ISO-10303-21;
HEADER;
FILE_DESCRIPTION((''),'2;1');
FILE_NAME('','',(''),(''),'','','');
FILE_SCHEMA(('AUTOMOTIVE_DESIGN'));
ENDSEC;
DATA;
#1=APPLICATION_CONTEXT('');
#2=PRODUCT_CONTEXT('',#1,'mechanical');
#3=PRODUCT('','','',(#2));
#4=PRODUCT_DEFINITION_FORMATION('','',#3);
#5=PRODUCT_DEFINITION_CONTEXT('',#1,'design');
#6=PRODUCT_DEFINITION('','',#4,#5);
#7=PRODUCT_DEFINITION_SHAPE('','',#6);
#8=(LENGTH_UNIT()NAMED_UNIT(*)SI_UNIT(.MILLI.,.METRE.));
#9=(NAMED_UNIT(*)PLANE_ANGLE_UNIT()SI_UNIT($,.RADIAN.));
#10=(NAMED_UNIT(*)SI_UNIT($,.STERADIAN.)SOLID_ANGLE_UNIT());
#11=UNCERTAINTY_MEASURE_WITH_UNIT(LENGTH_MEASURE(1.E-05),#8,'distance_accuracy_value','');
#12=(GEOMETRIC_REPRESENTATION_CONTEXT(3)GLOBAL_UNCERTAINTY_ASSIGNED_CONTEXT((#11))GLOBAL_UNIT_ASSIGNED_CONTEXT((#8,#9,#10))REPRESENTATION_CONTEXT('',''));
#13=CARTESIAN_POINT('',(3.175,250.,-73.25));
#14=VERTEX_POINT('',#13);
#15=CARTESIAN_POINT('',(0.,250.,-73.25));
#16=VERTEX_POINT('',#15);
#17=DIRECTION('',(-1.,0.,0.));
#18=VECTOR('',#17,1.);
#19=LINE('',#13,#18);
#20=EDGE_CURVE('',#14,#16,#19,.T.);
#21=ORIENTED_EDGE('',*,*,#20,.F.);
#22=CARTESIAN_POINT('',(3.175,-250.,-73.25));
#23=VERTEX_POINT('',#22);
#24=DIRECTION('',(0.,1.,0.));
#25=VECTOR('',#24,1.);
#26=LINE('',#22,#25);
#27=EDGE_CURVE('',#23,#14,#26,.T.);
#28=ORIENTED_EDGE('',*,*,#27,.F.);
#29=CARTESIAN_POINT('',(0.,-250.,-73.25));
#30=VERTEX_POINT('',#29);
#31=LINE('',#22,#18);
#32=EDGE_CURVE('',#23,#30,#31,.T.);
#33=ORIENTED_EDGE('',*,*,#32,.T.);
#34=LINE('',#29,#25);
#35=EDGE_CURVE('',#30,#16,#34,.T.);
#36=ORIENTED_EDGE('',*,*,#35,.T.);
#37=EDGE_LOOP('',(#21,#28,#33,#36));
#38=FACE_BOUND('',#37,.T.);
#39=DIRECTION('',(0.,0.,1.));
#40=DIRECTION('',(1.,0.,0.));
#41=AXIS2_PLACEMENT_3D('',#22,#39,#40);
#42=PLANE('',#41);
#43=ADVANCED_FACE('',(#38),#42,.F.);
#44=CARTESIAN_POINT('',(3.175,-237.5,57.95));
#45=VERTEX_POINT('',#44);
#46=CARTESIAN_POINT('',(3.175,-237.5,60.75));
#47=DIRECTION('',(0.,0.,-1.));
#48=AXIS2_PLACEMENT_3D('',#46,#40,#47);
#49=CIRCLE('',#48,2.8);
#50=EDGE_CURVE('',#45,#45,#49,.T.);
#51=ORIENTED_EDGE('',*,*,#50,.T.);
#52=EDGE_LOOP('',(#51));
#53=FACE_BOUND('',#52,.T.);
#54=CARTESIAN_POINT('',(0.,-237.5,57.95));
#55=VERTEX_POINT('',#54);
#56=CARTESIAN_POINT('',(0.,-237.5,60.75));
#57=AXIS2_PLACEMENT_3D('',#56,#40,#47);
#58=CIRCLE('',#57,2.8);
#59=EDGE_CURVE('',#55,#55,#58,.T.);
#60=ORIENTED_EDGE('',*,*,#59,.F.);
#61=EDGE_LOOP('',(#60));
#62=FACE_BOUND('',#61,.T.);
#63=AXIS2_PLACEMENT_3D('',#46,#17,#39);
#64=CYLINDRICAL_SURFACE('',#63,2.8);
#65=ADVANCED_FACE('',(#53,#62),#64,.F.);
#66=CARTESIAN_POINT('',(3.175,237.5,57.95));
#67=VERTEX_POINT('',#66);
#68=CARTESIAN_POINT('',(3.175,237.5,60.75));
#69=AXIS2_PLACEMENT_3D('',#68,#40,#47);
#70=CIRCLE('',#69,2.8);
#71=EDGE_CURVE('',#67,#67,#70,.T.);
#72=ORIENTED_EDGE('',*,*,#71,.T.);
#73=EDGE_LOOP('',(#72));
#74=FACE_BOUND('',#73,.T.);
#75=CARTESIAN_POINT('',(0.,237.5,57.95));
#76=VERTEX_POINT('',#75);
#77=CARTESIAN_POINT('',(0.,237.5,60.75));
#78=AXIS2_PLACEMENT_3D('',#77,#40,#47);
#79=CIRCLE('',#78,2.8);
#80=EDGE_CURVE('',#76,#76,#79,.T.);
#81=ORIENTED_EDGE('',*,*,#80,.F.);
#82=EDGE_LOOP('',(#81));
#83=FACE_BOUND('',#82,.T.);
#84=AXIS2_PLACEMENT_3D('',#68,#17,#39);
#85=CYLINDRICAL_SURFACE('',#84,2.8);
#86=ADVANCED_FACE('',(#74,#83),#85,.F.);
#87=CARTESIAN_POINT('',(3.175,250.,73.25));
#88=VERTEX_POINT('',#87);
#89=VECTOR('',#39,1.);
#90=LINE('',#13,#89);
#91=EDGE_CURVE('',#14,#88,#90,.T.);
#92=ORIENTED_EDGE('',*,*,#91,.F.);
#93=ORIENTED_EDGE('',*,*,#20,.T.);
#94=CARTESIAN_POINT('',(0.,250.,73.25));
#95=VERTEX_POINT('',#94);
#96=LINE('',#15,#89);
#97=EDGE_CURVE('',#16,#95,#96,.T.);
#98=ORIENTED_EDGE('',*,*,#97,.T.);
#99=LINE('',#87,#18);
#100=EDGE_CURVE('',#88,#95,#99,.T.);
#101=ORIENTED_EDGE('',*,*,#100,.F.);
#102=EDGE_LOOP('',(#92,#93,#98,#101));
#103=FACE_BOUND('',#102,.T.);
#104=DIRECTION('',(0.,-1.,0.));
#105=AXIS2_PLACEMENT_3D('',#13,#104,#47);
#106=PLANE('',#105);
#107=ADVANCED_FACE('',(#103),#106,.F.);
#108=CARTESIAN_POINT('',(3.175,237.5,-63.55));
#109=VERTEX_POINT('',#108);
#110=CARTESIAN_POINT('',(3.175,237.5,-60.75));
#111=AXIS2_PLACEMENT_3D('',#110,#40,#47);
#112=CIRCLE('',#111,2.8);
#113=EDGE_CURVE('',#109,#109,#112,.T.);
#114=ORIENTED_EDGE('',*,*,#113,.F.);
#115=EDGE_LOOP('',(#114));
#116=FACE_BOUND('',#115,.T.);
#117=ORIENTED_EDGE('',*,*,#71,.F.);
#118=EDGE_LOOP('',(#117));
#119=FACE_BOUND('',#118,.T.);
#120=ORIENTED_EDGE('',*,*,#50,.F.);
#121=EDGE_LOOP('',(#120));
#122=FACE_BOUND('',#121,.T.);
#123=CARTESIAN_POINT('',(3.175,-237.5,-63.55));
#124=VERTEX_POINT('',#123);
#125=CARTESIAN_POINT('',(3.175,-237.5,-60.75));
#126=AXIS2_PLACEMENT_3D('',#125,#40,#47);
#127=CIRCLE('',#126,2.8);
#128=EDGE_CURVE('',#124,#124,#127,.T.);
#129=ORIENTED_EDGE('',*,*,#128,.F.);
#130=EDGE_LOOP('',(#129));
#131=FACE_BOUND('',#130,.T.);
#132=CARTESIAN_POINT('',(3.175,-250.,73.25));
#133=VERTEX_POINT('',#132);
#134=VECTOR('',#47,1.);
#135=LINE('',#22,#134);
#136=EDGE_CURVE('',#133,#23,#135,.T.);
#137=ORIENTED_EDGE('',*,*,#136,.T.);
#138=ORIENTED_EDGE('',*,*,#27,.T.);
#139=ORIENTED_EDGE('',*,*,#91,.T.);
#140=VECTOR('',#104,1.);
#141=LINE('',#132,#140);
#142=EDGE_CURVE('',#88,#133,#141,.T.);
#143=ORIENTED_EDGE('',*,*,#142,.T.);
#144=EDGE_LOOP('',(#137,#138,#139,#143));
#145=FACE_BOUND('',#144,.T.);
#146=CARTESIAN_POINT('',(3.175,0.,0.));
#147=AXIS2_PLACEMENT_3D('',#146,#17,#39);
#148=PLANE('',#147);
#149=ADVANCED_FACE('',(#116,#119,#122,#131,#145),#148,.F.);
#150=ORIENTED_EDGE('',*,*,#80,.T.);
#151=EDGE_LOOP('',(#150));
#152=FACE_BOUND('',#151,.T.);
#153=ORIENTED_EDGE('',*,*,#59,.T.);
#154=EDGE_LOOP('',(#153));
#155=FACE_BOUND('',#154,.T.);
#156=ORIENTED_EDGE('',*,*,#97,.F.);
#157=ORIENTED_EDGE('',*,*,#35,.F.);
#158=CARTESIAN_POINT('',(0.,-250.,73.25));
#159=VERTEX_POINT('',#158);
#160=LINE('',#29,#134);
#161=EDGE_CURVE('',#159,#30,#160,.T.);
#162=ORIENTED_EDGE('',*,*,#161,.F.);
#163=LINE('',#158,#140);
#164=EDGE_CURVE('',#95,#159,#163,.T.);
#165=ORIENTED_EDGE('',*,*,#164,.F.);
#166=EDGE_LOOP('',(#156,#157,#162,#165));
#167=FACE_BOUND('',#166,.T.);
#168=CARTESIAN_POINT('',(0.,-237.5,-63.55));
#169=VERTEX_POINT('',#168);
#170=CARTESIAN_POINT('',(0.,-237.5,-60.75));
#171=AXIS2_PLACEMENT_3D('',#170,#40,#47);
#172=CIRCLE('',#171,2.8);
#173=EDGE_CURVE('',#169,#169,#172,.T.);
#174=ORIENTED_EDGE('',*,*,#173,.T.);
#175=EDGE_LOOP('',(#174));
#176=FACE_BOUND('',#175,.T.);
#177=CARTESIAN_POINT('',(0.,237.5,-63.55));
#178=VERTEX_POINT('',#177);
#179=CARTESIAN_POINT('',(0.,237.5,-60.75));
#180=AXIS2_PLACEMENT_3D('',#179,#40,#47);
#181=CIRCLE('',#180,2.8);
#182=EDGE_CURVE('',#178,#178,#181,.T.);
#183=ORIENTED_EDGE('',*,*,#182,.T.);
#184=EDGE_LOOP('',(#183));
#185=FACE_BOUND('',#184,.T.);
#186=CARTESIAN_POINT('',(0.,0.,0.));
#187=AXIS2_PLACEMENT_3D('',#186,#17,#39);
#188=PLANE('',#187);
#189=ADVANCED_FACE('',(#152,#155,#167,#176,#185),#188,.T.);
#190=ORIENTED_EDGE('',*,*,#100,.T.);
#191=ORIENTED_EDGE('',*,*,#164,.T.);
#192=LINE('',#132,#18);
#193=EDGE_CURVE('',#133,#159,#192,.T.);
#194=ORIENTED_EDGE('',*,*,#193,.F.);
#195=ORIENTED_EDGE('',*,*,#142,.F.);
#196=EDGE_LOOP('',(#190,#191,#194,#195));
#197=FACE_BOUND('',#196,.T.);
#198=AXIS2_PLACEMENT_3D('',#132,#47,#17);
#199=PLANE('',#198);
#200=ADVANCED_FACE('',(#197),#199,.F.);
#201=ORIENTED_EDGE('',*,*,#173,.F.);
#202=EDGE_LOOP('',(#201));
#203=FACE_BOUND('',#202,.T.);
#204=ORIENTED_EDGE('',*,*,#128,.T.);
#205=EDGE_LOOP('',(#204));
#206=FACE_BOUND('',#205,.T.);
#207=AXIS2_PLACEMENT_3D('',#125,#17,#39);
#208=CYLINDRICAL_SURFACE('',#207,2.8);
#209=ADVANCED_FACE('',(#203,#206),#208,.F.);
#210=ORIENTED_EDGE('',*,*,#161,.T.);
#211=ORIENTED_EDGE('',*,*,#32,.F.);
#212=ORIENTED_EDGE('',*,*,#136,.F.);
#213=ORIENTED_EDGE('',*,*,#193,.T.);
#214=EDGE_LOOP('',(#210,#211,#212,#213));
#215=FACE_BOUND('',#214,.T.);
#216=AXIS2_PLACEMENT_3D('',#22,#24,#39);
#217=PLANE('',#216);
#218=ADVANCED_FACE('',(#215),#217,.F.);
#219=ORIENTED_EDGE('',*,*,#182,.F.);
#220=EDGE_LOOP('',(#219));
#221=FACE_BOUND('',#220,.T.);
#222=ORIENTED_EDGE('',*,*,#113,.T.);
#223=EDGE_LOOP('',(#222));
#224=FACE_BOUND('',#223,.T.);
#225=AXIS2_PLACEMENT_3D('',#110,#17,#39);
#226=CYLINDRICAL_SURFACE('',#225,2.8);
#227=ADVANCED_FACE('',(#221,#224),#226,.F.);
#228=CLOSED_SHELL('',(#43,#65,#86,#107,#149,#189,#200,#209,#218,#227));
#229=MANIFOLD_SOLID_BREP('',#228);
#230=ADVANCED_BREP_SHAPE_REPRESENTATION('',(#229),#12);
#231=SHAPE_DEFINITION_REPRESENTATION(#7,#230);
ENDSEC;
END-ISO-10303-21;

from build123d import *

# Parameters (mm, degrees)
SKETCH1_W           = 500
SKETCH1_H           = 146.5
SKETCH1_R           = 2.8
BOSS_EXTRUDE1_DEPTH = 3.175


with BuildPart() as part:
    # Sketch1 → Boss-Extrude1 (new body)
    with BuildSketch(Plane.YZ):
        Rectangle(SKETCH1_W, SKETCH1_H)
        with Locations(Location((-237.5, 60.75, 0), (0, 0, 270))):
            Circle(SKETCH1_R, mode=Mode.SUBTRACT)
        with Locations(Location((-237.5, -60.75, 0), (0, 0, 270))):
            Circle(SKETCH1_R, mode=Mode.SUBTRACT)
        with Locations(Location((237.5, 60.75, 0), (0, 0, 270))):
            Circle(SKETCH1_R, mode=Mode.SUBTRACT)
        with Locations(Location((237.5, -60.75, 0), (0, 0, 270))):
            Circle(SKETCH1_R, mode=Mode.SUBTRACT)
    extrude(amount=BOSS_EXTRUDE1_DEPTH)


solid = part.part
